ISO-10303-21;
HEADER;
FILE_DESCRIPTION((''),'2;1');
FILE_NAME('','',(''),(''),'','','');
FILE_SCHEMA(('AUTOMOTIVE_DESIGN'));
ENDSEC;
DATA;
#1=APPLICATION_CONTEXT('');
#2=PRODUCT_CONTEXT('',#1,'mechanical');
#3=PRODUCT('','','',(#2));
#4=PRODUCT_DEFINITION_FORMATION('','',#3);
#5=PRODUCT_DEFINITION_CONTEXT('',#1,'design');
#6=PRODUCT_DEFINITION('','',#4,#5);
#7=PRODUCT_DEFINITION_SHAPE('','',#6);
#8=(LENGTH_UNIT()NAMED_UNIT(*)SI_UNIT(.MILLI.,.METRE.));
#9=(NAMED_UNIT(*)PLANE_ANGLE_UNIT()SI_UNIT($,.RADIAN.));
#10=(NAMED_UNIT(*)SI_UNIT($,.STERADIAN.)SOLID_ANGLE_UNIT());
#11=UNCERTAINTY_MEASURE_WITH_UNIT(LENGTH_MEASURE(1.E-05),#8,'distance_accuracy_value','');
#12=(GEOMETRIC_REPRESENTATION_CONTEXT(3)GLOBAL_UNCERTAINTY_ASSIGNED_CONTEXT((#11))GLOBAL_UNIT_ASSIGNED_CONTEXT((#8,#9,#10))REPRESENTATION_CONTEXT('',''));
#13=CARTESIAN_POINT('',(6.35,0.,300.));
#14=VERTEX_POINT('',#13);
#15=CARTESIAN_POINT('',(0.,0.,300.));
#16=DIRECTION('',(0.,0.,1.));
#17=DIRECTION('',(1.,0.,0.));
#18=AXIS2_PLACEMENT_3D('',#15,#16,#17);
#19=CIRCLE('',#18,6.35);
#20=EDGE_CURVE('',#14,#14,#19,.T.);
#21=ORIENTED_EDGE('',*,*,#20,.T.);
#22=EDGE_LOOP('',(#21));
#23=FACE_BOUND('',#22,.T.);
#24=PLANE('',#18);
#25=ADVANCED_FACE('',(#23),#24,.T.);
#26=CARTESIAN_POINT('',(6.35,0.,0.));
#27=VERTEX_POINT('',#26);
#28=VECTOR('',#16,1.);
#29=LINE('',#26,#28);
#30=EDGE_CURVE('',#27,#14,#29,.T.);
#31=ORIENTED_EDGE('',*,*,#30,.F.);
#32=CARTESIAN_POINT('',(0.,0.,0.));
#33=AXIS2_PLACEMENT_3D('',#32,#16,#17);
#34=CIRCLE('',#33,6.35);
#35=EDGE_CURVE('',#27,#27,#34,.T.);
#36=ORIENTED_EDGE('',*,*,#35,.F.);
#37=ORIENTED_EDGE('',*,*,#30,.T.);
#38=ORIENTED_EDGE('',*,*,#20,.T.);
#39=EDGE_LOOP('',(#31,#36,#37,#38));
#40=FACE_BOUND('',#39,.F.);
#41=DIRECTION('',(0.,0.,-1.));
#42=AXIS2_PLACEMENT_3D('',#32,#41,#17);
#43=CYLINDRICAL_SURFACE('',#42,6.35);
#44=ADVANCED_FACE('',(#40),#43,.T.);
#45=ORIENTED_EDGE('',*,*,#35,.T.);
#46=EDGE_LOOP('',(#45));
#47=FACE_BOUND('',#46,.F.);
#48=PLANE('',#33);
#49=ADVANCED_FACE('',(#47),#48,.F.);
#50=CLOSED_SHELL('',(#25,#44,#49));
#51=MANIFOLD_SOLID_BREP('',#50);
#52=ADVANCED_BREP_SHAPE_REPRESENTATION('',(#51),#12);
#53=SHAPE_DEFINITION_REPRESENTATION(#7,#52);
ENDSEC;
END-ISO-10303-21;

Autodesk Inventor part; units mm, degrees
ref_plane "YZ Plane" through (0, 0, 0) normal (1, 0, 0) x (0, 1, 0)
ref_plane "XZ Plane" through (0, 0, 0) normal (0, 1, 0) x (-1, 0, 0)
ref_plane "XY Plane" through (0, 0, 0) normal (0, 0, 1) x (1, 0, 0)
sketch "Sketch1" plane through (0, 0, 0) normal (0, 0, 1) x (1, 0, 0)
  circle A0 centre (0, 0) radius 6.35
  dimension "d0" = 12.7
extrude "Extrusion1" add sketch "Sketch1" along normal blind 300
properties part number "Axle 2"
